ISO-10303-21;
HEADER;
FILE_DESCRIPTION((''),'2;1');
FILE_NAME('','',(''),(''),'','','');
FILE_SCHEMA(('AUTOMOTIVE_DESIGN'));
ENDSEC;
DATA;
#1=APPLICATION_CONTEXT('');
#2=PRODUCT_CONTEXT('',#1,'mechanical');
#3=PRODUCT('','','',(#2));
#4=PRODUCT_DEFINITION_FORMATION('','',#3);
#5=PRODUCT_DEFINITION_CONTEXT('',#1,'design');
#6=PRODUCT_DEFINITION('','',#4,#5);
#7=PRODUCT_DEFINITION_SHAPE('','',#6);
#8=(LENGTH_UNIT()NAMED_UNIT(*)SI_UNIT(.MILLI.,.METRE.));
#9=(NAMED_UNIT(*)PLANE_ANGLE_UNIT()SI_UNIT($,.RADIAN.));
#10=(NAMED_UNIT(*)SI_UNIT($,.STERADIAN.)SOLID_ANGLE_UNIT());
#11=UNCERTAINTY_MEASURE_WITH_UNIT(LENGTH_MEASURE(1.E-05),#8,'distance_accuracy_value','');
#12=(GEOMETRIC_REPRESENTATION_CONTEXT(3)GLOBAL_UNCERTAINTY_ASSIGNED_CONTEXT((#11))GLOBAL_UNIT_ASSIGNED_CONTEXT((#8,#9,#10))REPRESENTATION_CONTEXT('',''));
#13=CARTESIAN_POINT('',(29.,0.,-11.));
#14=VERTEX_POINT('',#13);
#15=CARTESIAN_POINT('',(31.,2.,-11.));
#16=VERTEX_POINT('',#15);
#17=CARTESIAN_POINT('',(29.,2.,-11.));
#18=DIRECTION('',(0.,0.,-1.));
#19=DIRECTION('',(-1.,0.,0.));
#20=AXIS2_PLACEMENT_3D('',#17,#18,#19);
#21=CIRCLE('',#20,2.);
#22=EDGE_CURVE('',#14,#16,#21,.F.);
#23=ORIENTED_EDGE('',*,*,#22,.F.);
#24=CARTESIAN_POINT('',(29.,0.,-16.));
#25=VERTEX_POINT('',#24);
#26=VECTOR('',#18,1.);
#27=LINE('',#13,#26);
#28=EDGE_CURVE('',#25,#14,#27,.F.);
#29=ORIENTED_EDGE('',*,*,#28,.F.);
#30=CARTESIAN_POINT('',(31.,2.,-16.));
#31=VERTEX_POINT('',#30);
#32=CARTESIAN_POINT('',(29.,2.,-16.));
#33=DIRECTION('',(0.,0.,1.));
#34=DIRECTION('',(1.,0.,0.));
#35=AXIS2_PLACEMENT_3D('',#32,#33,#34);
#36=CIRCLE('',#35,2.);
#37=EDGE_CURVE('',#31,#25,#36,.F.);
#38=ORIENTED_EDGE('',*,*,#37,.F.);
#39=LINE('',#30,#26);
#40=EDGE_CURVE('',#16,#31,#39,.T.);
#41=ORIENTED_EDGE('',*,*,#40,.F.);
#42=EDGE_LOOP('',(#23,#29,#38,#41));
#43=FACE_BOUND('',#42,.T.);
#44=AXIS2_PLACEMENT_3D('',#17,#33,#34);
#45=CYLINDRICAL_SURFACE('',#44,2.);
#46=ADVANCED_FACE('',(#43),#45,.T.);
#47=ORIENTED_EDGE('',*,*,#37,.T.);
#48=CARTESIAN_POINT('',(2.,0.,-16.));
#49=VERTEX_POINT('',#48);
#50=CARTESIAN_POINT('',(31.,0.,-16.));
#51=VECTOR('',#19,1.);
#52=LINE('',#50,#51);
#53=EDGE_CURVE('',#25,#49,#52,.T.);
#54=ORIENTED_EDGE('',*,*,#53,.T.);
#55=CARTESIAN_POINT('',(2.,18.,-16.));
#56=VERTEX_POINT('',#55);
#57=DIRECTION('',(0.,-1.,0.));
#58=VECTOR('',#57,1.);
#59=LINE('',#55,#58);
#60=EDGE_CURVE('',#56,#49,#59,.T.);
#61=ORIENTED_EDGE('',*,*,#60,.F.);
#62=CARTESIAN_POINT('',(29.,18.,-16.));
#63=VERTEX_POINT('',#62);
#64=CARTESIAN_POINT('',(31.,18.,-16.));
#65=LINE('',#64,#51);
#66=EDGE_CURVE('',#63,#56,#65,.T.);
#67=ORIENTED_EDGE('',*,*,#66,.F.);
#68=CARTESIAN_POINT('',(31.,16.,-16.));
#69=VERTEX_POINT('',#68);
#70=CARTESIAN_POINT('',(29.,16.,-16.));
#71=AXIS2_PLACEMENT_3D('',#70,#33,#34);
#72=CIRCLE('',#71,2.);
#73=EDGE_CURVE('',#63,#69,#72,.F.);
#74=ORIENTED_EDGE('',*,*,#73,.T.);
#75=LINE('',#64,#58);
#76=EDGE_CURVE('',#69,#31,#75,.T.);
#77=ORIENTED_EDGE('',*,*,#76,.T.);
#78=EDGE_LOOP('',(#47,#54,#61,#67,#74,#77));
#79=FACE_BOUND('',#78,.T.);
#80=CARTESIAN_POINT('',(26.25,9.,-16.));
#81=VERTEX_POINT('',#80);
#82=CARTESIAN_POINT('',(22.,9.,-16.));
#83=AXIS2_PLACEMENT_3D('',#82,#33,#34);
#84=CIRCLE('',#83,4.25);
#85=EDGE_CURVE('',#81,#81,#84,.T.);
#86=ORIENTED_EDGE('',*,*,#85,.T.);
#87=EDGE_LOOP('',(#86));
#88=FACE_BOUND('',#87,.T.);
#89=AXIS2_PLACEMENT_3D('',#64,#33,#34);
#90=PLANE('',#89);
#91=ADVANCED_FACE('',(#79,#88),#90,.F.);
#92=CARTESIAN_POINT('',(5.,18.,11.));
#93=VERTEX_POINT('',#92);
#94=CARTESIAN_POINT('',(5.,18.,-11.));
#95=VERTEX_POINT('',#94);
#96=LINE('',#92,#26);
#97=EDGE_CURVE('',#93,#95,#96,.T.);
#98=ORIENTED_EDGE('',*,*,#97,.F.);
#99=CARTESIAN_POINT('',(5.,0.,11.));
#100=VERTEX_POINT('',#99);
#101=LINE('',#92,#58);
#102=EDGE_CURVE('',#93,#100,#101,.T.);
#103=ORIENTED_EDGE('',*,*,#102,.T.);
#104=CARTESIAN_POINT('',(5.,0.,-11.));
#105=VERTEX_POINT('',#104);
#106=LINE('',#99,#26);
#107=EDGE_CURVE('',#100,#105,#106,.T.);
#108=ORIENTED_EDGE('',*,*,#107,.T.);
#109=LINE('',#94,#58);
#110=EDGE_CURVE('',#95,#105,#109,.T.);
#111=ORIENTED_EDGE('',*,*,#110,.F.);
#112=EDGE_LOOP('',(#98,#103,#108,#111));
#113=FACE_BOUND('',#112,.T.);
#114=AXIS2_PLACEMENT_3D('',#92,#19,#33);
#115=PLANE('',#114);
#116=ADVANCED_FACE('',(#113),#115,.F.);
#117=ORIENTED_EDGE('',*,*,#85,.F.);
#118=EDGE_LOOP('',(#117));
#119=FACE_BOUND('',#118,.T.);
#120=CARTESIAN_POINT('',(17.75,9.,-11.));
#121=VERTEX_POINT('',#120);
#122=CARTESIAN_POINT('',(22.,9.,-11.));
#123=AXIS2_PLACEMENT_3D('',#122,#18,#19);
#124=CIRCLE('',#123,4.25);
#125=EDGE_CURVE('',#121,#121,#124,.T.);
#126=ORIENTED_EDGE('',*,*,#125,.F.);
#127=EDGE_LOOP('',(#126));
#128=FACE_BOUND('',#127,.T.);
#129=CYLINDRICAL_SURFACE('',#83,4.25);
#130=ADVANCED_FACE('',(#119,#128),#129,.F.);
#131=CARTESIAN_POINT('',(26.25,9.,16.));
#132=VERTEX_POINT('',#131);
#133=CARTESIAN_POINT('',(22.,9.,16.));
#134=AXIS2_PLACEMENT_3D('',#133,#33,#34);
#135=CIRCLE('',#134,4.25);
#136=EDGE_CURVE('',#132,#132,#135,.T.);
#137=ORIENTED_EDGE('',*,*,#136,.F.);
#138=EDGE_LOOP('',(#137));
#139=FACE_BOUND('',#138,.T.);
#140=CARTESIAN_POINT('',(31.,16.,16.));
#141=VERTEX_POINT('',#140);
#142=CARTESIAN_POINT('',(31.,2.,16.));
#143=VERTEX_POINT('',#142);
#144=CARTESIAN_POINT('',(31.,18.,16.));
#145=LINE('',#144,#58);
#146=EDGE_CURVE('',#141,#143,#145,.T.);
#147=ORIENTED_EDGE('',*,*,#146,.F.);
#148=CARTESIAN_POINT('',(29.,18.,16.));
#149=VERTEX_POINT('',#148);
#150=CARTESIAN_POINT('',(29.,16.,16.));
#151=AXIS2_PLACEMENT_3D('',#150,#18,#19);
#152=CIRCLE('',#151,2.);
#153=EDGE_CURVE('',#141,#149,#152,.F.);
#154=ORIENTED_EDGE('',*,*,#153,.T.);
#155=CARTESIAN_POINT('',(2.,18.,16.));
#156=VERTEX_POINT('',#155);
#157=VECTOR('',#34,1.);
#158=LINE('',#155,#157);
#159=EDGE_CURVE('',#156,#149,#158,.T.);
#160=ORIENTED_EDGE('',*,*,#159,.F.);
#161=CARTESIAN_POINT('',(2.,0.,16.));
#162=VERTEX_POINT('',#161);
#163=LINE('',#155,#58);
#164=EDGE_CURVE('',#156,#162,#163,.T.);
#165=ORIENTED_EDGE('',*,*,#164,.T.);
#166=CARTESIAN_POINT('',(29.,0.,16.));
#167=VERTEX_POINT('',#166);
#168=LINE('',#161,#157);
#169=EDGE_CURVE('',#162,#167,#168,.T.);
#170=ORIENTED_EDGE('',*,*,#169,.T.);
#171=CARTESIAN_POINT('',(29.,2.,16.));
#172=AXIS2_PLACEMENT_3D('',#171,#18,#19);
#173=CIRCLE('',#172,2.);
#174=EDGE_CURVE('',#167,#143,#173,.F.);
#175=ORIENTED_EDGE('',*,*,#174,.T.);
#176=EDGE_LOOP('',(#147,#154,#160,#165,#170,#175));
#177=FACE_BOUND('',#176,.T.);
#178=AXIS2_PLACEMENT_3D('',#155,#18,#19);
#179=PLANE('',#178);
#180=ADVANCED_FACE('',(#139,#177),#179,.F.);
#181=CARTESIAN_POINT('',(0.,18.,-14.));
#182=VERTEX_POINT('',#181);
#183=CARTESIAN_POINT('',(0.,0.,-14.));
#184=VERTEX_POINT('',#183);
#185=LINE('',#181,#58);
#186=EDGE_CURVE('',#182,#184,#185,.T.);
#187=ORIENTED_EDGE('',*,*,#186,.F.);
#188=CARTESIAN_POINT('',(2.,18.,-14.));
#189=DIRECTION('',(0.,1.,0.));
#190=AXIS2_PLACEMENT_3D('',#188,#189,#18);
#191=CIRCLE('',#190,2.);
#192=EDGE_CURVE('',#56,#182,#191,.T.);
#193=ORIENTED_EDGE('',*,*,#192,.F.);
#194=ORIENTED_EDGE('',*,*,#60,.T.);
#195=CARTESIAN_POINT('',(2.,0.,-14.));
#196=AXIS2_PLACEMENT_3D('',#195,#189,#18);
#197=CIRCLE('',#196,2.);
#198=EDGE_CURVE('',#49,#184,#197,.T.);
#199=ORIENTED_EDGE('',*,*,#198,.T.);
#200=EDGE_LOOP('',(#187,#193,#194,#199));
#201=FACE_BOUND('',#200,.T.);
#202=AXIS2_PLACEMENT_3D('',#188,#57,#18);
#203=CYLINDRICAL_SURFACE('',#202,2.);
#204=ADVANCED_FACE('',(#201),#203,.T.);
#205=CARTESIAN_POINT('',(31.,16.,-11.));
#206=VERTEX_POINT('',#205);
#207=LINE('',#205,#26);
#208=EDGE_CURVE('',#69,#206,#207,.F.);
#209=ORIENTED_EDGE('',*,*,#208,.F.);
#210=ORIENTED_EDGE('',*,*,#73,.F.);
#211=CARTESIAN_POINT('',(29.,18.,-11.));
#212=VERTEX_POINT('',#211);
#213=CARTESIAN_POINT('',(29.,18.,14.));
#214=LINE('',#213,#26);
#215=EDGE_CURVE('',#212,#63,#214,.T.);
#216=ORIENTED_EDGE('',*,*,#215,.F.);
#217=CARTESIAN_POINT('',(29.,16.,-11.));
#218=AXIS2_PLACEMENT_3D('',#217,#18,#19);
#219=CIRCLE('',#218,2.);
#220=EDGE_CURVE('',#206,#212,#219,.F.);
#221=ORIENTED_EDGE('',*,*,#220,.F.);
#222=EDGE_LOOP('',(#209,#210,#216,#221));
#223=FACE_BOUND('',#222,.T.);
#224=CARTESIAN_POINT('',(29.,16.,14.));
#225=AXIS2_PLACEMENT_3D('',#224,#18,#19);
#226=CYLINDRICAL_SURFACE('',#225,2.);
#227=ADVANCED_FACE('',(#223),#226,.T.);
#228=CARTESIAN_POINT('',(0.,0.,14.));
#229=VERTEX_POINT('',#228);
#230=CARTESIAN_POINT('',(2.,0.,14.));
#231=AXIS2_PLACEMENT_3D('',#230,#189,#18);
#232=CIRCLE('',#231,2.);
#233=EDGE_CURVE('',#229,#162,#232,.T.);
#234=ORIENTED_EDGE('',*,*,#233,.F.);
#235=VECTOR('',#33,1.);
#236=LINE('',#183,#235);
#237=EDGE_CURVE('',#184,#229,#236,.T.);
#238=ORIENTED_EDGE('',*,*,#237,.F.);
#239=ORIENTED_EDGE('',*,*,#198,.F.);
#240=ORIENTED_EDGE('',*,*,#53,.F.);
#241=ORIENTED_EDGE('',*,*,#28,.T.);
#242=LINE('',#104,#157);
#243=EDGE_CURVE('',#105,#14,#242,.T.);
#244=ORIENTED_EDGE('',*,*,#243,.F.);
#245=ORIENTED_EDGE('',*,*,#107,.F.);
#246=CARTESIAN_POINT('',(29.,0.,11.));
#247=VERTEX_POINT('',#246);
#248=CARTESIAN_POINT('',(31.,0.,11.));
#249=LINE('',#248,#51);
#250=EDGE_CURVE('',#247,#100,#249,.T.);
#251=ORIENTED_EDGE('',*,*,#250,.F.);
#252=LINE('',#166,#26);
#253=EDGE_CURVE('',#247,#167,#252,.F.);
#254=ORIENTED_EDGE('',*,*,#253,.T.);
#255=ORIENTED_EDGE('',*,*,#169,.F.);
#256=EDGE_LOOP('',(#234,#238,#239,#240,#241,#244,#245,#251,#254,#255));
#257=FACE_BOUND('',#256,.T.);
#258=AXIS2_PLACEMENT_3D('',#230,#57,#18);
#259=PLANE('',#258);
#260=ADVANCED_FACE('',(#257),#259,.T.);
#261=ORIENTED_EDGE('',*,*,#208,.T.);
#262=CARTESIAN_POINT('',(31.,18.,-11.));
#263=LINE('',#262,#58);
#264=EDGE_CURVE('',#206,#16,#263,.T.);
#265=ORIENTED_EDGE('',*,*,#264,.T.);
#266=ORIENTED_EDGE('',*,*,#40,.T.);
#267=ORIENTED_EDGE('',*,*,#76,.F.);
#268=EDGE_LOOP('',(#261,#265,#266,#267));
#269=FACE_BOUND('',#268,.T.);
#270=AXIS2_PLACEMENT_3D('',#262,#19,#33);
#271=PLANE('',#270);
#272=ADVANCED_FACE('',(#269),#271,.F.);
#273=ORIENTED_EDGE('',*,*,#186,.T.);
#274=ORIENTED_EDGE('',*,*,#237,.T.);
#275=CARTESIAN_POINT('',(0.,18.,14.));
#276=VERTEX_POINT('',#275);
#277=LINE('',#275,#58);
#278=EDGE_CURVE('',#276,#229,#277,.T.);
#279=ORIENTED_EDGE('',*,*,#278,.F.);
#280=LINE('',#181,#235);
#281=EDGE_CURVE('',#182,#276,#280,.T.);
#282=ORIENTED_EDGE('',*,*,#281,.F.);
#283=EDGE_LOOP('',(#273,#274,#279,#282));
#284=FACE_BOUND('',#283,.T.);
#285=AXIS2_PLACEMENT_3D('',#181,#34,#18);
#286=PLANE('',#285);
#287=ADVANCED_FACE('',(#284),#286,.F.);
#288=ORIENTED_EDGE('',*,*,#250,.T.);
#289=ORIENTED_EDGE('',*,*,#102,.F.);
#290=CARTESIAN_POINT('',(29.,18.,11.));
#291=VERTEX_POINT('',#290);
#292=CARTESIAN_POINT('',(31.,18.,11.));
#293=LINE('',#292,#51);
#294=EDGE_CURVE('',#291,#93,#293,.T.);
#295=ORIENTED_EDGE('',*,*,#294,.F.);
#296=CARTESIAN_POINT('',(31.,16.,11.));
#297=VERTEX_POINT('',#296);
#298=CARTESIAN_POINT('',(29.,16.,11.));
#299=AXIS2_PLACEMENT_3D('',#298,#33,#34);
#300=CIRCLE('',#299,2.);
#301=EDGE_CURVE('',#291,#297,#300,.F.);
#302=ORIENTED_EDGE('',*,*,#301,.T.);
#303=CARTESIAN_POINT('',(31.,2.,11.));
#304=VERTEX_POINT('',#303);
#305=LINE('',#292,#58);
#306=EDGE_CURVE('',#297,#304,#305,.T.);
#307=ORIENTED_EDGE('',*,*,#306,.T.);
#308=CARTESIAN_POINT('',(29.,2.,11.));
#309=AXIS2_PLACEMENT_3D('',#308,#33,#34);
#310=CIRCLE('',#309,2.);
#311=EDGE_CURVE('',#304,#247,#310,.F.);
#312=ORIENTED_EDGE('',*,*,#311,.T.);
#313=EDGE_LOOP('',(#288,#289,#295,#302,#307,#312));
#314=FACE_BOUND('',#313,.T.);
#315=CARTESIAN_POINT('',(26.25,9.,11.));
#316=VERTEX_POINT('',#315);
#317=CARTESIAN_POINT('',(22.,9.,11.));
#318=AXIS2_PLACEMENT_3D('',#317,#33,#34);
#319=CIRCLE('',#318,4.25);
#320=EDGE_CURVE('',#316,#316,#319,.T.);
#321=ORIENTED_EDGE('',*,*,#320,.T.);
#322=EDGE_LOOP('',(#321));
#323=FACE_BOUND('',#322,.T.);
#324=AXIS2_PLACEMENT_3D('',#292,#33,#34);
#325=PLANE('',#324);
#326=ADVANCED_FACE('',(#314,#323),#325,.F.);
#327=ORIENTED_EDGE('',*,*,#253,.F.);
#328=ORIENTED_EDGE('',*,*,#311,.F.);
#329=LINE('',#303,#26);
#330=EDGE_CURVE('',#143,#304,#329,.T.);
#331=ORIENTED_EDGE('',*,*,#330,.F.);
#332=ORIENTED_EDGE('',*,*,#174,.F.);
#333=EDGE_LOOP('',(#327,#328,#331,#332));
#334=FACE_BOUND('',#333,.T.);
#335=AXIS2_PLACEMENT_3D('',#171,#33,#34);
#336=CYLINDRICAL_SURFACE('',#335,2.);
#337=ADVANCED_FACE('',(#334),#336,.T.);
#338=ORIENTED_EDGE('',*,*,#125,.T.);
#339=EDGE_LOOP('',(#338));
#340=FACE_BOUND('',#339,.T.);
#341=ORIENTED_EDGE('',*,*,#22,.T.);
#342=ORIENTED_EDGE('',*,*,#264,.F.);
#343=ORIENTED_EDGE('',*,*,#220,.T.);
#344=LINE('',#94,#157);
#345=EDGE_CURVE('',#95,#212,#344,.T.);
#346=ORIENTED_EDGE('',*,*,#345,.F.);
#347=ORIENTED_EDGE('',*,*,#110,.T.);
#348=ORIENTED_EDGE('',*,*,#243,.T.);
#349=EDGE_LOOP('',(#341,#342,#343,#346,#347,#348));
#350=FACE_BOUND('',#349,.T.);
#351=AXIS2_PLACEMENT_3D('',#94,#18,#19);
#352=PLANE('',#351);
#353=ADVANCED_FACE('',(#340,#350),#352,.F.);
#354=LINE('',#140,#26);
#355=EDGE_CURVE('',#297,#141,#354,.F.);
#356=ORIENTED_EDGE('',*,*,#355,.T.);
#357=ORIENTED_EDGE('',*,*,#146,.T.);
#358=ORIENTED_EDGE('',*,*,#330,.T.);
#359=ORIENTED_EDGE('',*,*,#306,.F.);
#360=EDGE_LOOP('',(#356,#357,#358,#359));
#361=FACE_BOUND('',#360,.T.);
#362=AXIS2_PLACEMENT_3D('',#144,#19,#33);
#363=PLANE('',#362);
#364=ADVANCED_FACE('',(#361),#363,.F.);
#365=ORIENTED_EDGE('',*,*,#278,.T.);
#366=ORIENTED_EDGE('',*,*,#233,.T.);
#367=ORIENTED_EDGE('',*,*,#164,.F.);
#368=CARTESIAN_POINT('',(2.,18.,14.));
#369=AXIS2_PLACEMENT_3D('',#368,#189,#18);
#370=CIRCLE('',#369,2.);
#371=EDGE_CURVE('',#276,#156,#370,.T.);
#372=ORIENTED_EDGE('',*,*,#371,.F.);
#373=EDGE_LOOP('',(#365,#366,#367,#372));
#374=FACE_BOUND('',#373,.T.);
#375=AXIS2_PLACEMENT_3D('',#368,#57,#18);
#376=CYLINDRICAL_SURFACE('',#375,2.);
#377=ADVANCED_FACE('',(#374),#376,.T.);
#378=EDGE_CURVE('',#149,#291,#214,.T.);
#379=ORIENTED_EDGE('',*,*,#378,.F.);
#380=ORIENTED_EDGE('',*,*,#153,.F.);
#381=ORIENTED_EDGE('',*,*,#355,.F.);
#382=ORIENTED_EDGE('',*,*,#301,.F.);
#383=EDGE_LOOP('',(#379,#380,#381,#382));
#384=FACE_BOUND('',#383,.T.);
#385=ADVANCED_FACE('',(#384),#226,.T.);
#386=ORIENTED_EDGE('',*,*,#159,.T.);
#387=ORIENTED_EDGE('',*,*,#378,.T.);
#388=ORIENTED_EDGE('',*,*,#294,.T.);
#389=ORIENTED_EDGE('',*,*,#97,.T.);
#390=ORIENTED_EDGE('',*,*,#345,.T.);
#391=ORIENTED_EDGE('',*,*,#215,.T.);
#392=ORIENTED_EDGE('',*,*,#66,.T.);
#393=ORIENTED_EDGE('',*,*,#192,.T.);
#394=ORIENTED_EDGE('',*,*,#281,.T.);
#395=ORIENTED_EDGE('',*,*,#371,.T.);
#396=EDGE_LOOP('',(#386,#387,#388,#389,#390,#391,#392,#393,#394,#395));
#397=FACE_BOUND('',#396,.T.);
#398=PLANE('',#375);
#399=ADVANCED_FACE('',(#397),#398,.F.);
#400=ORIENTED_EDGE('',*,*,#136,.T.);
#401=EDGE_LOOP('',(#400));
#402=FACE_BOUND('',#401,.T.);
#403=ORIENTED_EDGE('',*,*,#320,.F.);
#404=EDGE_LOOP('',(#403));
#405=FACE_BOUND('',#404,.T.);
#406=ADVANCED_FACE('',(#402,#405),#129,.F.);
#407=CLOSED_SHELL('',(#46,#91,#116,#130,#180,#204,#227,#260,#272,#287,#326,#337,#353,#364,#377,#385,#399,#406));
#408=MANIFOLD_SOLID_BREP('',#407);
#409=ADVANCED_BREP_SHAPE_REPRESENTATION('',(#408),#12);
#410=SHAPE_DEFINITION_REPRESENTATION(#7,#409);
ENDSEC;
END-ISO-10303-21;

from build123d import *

# Parameters (mm, degrees)
EXTRUDE_1_DEPTH     = 18
FILLET_1_R          = 2
SKETCH_2_R          = 4.25
CUT_EXTRUDE_1_DEPTH = 49.052055107


with BuildPart() as part:
    # Эскиз1 → Бобышка-Вытянуть1 (new body)
    with BuildSketch(Plane(origin=(0, 0, 0), x_dir=(1, 0, 0), z_dir=(0, 1, 0))):
        with BuildLine():
            Line((0, 14), (0, -14))
            ThreePointArc((0, -14), (0.585786438, -15.414213562), (2, -16))
            Line((2, -16), (31, -16))
            Line((31, -16), (31, -11))
            Line((31, -11), (5, -11))
            Line((5, -11), (5, 11))
            Line((5, 11), (31, 11))
            Line((31, 11), (31, 16))
            Line((31, 16), (2, 16))
            ThreePointArc((2, 16), (0.585786438, 15.414213562), (0, 14))
        make_face()
    extrude(amount=EXTRUDE_1_DEPTH)

    # Скругление1
    fillet_1_edges = [part.edges().sort_by_distance(p)[0] for p in [
        (31, 18, 13.5),
        (31, 0, -13.5),
        (31, 0, 13.5),
        (31, 18, -13.5),
    ]]
    fillet(fillet_1_edges, radius=FILLET_1_R)

    # Эскиз2 → Вырез-Вытянуть1 (cut, through all)
    with BuildSketch(Plane.XY.offset(16)):
        with Locations((22, 9)):
            Circle(SKETCH_2_R)
    extrude(amount=-CUT_EXTRUDE_1_DEPTH, mode=Mode.SUBTRACT)


solid = part.part
